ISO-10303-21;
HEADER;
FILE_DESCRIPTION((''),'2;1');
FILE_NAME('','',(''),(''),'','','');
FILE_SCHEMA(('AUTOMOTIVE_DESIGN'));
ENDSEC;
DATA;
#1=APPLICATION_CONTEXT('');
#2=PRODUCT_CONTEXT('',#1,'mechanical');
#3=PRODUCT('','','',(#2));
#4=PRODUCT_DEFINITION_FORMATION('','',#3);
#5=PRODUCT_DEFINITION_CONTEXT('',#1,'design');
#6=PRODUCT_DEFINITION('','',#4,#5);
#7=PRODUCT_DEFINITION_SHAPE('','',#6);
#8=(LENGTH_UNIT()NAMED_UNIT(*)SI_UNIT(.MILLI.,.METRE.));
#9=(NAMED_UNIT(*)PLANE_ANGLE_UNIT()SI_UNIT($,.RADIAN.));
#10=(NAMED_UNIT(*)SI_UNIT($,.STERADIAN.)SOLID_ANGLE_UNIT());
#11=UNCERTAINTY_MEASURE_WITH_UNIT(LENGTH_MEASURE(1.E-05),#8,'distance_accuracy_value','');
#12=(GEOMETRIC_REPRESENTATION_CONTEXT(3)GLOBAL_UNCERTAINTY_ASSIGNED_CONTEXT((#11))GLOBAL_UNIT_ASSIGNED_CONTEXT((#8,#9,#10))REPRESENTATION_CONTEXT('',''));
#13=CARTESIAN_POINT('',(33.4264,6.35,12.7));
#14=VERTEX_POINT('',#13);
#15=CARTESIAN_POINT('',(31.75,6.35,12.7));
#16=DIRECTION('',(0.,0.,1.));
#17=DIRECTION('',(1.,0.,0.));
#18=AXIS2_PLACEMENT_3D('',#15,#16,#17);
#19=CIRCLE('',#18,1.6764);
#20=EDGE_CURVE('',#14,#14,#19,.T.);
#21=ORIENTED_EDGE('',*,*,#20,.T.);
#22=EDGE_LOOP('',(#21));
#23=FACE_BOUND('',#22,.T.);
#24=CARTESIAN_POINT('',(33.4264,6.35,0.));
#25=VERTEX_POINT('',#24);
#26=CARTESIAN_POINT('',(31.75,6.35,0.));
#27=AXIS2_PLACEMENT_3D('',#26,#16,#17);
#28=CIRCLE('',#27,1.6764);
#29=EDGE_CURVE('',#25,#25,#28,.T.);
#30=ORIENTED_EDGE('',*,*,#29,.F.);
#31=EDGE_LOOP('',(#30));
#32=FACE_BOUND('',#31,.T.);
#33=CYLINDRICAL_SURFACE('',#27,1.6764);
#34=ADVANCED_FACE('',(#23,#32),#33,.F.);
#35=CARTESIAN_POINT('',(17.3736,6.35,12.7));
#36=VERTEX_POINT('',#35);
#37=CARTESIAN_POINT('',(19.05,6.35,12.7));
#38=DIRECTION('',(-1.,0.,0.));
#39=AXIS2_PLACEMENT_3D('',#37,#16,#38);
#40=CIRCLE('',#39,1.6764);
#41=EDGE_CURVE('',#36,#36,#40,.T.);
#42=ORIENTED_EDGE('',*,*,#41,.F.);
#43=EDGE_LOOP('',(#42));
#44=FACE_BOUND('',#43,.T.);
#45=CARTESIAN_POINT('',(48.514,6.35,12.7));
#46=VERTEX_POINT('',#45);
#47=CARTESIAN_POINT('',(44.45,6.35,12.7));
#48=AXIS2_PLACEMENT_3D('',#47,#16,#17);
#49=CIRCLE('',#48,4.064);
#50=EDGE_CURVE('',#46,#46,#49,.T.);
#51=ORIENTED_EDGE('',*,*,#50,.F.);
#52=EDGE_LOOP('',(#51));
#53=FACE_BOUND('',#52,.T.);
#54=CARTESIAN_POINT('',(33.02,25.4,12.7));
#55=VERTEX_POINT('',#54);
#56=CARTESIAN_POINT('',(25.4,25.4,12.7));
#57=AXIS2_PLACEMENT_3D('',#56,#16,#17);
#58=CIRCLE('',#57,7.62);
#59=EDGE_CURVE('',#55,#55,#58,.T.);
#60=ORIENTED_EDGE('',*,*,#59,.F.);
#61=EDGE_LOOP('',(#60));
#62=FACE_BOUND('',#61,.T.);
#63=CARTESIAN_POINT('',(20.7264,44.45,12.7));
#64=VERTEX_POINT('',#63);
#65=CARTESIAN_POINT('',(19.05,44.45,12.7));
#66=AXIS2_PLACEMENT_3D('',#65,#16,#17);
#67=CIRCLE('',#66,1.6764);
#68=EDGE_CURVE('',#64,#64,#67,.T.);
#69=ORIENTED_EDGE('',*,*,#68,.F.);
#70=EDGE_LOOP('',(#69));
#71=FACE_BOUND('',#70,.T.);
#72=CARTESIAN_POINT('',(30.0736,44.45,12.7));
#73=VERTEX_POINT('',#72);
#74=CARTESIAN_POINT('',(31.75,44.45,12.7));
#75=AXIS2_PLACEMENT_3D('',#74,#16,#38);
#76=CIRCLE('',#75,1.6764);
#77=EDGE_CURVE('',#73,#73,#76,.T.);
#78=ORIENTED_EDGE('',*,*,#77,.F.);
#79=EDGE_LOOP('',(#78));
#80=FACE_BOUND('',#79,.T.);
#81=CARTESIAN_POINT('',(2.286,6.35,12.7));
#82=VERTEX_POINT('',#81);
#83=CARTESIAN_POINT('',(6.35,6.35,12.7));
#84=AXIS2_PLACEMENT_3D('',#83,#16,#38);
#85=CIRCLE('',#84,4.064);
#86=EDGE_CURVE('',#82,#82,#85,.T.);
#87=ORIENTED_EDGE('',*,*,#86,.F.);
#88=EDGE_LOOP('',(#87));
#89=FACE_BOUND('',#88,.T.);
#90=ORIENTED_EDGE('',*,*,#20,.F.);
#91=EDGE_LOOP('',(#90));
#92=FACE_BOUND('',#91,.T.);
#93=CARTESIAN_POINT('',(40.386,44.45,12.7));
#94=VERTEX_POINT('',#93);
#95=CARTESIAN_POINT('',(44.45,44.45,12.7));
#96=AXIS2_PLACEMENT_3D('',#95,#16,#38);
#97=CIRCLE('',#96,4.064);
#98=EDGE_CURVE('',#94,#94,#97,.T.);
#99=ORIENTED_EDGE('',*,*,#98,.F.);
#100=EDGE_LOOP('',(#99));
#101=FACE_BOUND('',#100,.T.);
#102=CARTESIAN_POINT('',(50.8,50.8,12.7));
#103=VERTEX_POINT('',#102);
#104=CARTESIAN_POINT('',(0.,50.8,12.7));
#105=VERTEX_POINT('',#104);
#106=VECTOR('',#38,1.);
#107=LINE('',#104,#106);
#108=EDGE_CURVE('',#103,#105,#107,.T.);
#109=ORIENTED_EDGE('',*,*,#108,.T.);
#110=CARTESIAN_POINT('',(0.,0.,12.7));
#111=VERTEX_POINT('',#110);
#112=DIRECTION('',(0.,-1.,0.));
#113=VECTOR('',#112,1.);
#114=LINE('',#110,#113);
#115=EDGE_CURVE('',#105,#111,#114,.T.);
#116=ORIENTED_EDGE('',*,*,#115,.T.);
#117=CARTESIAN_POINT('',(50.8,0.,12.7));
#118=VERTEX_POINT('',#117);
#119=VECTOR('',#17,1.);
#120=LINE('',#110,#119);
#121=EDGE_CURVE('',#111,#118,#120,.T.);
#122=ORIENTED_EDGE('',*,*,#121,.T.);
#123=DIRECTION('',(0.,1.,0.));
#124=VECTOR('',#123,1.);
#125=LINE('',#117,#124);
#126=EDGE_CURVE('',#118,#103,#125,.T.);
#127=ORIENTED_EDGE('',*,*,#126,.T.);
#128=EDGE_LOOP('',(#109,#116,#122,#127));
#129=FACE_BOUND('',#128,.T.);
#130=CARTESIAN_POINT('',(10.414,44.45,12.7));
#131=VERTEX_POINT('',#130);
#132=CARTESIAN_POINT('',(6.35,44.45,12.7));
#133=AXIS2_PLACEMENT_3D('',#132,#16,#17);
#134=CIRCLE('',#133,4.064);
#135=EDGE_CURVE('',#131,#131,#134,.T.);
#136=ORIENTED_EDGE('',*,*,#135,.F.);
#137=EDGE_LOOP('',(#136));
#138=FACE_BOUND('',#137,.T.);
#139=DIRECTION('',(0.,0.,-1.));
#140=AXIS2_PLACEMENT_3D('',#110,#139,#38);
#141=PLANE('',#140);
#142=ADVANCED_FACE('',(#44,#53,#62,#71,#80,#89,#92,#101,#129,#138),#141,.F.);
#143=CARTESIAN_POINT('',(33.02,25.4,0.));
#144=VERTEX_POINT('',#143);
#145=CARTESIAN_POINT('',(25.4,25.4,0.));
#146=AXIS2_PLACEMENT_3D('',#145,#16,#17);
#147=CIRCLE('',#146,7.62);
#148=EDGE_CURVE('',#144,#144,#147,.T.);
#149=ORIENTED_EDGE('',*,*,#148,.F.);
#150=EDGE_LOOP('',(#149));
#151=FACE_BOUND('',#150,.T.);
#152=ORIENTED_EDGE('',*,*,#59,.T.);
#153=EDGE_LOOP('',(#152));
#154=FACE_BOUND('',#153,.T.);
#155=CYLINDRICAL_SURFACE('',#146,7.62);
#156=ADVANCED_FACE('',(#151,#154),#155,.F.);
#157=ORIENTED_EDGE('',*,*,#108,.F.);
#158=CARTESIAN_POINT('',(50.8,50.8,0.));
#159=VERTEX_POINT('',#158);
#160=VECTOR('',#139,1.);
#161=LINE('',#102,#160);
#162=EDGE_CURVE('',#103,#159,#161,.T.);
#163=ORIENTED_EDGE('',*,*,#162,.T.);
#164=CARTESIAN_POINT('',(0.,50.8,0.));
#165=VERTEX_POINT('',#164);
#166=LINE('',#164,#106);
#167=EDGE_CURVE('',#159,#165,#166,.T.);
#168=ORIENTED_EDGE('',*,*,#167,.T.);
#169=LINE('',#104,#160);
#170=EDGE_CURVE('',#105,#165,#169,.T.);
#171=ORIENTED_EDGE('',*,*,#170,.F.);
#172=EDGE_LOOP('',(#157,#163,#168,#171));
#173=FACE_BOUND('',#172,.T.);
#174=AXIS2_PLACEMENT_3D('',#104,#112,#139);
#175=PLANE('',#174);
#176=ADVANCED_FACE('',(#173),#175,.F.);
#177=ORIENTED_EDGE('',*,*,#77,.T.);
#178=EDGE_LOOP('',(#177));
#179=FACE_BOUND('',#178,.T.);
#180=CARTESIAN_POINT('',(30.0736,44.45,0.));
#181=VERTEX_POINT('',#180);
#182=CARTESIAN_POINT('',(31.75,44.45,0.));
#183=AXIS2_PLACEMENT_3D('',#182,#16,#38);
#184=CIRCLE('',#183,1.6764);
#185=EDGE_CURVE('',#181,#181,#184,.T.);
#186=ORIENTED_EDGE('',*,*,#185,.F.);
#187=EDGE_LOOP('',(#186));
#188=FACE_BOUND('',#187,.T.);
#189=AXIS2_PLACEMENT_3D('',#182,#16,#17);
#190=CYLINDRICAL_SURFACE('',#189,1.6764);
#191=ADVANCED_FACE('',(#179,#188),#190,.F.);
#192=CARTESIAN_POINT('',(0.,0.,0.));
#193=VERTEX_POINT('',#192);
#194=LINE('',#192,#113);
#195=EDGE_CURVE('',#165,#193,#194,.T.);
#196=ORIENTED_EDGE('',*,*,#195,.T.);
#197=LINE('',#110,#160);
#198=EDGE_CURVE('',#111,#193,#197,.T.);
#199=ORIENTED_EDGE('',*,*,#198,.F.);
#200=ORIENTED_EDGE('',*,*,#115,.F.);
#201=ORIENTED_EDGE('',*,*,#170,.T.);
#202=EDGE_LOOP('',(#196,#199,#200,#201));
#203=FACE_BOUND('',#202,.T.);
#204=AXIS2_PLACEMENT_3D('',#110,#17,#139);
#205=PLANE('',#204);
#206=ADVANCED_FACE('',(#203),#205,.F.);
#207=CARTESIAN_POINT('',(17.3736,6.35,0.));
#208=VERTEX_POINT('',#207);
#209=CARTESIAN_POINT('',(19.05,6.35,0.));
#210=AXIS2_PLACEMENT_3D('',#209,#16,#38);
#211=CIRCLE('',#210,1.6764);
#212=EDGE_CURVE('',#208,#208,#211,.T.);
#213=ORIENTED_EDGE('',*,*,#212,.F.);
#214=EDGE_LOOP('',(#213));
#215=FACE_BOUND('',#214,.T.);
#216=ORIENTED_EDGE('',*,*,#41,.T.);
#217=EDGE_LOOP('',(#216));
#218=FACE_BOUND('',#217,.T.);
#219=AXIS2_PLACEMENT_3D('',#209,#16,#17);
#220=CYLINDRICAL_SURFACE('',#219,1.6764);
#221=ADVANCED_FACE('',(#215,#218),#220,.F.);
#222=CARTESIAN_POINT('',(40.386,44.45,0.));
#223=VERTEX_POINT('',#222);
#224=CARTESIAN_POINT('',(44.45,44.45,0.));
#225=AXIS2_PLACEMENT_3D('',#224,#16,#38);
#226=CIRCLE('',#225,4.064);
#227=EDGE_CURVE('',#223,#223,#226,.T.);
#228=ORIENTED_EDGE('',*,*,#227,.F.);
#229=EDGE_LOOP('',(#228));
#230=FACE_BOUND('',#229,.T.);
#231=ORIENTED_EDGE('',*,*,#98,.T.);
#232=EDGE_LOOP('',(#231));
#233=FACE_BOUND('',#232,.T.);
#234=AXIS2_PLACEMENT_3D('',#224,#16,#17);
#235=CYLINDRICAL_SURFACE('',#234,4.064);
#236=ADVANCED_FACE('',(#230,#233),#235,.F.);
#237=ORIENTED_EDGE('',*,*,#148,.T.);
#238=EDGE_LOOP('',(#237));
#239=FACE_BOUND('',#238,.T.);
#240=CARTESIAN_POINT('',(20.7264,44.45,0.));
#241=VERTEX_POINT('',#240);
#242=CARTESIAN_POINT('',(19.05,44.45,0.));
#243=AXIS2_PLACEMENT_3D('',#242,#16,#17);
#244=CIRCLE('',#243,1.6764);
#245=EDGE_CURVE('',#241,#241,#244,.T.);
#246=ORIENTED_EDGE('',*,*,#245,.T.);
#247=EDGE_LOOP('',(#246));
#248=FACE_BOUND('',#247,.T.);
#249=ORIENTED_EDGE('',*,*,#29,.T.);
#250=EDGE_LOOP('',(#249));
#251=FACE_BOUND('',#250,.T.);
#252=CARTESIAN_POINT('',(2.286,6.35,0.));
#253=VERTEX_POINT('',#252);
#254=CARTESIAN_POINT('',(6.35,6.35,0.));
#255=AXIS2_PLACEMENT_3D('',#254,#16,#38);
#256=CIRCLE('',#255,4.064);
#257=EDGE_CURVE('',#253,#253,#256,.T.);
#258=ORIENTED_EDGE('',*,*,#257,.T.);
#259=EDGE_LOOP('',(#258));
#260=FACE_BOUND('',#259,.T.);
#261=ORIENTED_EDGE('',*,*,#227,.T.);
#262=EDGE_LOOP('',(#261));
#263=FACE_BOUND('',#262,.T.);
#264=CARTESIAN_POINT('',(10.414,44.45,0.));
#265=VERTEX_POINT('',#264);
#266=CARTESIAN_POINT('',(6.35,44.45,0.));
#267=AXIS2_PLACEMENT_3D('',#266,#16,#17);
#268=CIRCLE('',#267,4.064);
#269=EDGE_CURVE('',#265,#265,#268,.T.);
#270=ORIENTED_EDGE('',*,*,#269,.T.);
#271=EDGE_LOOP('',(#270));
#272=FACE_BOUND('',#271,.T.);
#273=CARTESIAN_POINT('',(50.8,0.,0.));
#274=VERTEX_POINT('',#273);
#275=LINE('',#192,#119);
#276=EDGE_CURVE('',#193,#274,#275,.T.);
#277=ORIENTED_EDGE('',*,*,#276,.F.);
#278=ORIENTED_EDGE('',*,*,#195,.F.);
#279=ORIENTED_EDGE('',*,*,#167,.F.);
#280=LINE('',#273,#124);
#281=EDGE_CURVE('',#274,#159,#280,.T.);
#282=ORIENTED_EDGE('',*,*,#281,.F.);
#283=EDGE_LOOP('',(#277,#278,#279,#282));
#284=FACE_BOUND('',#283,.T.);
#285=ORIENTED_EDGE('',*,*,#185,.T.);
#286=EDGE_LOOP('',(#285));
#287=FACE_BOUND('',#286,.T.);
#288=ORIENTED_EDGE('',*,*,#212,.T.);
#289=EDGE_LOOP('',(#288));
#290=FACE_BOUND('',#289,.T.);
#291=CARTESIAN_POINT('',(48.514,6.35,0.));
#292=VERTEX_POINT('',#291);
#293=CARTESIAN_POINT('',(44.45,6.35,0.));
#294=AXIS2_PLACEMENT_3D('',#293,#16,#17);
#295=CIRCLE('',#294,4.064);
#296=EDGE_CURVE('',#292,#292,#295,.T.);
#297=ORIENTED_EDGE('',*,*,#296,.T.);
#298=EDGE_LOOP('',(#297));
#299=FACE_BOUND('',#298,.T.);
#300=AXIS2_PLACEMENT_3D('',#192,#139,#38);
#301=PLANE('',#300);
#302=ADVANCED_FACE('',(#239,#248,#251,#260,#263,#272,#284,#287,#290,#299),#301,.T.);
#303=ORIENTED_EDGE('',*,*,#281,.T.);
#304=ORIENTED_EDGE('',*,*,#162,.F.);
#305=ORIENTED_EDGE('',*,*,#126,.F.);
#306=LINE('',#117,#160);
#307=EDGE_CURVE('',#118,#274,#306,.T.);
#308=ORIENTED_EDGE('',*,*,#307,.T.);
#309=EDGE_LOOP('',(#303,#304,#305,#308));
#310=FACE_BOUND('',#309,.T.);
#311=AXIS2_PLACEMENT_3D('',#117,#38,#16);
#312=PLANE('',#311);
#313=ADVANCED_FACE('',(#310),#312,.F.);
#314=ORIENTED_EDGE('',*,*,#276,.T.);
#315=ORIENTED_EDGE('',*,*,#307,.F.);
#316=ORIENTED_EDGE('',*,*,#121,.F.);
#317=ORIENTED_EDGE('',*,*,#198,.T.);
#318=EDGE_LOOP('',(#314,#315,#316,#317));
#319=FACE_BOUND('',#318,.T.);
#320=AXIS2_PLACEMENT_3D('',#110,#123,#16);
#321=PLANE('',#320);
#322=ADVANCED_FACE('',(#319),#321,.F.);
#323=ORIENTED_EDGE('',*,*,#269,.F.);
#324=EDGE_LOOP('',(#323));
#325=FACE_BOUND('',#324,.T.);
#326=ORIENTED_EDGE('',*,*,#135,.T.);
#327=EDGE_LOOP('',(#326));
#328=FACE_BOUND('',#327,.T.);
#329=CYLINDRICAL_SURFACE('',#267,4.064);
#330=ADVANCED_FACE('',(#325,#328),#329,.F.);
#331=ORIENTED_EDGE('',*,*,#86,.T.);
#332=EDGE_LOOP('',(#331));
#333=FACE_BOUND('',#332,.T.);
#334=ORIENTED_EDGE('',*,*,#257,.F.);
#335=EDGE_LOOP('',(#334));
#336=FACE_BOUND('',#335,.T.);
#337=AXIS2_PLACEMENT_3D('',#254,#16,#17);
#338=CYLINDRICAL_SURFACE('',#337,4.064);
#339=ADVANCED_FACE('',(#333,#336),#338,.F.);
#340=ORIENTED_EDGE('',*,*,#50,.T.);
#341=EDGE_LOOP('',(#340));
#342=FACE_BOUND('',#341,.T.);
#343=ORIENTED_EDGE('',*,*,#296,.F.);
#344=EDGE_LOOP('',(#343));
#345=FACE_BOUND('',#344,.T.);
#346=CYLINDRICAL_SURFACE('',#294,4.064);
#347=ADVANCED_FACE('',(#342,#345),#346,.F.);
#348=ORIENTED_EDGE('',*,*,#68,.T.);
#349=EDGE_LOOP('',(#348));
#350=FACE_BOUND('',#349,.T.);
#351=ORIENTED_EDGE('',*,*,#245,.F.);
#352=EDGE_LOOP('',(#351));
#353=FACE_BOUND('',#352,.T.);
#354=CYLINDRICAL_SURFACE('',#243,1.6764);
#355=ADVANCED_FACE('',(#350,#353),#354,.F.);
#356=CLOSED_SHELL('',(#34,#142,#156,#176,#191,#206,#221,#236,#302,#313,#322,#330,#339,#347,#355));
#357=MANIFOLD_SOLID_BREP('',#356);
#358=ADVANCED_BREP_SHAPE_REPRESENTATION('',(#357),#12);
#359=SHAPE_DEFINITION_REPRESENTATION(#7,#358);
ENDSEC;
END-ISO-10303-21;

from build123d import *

# Parameters (mm, degrees)
SKETCH1_W           = 50.8
SKETCH1_H           = 50.8
BOSS_EXTRUDE1_DEPTH = 12.7
SKETCH2_R           = 7.62
CUT_EXTRUDE1_DEPTH  = 13.7
SKETCH3_R           = 4.064
CUT_EXTRUDE2_DEPTH  = 13.7
SKETCH4_R           = 1.6764
CUT_EXTRUDE3_DEPTH  = 13.7


with BuildPart() as part:
    # Sketch1 → Boss-Extrude1 (new body)
    with BuildSketch(Plane.XY):
        with Locations((25.4, 25.4)):
            Rectangle(SKETCH1_W, SKETCH1_H)
    extrude(amount=BOSS_EXTRUDE1_DEPTH)

    # Sketch2 → Cut-Extrude1 (cut, through all)
    with BuildSketch(Plane.XY.offset(12.7)):
        with Locations((25.4, 25.4)):
            Circle(SKETCH2_R)
    extrude(amount=-CUT_EXTRUDE1_DEPTH, mode=Mode.SUBTRACT)

    # Sketch3 → Cut-Extrude2 (cut, through all)
    with BuildSketch(Plane.XY.offset(12.7)):
        with Locations((6.35, 44.45)):
            Circle(SKETCH3_R)
        with Locations((6.35, 6.35)):
            Circle(SKETCH3_R)
        with Locations((44.45, 44.45)):
            Circle(SKETCH3_R)
        with Locations((44.45, 6.35)):
            Circle(SKETCH3_R)
    extrude(amount=-CUT_EXTRUDE2_DEPTH, mode=Mode.SUBTRACT)

    # Sketch4 → Cut-Extrude3 (cut, through all)
    with BuildSketch(Plane.XY.offset(12.7)):
        with Locations((19.05, 44.45)):
            Circle(SKETCH4_R)
        with Locations((31.75, 44.45)):
            Circle(SKETCH4_R)
        with Locations((19.05, 6.35)):
            Circle(SKETCH4_R)
        with Locations((31.75, 6.35)):
            Circle(SKETCH4_R)
    extrude(amount=-CUT_EXTRUDE3_DEPTH, mode=Mode.SUBTRACT)


solid = part.part
